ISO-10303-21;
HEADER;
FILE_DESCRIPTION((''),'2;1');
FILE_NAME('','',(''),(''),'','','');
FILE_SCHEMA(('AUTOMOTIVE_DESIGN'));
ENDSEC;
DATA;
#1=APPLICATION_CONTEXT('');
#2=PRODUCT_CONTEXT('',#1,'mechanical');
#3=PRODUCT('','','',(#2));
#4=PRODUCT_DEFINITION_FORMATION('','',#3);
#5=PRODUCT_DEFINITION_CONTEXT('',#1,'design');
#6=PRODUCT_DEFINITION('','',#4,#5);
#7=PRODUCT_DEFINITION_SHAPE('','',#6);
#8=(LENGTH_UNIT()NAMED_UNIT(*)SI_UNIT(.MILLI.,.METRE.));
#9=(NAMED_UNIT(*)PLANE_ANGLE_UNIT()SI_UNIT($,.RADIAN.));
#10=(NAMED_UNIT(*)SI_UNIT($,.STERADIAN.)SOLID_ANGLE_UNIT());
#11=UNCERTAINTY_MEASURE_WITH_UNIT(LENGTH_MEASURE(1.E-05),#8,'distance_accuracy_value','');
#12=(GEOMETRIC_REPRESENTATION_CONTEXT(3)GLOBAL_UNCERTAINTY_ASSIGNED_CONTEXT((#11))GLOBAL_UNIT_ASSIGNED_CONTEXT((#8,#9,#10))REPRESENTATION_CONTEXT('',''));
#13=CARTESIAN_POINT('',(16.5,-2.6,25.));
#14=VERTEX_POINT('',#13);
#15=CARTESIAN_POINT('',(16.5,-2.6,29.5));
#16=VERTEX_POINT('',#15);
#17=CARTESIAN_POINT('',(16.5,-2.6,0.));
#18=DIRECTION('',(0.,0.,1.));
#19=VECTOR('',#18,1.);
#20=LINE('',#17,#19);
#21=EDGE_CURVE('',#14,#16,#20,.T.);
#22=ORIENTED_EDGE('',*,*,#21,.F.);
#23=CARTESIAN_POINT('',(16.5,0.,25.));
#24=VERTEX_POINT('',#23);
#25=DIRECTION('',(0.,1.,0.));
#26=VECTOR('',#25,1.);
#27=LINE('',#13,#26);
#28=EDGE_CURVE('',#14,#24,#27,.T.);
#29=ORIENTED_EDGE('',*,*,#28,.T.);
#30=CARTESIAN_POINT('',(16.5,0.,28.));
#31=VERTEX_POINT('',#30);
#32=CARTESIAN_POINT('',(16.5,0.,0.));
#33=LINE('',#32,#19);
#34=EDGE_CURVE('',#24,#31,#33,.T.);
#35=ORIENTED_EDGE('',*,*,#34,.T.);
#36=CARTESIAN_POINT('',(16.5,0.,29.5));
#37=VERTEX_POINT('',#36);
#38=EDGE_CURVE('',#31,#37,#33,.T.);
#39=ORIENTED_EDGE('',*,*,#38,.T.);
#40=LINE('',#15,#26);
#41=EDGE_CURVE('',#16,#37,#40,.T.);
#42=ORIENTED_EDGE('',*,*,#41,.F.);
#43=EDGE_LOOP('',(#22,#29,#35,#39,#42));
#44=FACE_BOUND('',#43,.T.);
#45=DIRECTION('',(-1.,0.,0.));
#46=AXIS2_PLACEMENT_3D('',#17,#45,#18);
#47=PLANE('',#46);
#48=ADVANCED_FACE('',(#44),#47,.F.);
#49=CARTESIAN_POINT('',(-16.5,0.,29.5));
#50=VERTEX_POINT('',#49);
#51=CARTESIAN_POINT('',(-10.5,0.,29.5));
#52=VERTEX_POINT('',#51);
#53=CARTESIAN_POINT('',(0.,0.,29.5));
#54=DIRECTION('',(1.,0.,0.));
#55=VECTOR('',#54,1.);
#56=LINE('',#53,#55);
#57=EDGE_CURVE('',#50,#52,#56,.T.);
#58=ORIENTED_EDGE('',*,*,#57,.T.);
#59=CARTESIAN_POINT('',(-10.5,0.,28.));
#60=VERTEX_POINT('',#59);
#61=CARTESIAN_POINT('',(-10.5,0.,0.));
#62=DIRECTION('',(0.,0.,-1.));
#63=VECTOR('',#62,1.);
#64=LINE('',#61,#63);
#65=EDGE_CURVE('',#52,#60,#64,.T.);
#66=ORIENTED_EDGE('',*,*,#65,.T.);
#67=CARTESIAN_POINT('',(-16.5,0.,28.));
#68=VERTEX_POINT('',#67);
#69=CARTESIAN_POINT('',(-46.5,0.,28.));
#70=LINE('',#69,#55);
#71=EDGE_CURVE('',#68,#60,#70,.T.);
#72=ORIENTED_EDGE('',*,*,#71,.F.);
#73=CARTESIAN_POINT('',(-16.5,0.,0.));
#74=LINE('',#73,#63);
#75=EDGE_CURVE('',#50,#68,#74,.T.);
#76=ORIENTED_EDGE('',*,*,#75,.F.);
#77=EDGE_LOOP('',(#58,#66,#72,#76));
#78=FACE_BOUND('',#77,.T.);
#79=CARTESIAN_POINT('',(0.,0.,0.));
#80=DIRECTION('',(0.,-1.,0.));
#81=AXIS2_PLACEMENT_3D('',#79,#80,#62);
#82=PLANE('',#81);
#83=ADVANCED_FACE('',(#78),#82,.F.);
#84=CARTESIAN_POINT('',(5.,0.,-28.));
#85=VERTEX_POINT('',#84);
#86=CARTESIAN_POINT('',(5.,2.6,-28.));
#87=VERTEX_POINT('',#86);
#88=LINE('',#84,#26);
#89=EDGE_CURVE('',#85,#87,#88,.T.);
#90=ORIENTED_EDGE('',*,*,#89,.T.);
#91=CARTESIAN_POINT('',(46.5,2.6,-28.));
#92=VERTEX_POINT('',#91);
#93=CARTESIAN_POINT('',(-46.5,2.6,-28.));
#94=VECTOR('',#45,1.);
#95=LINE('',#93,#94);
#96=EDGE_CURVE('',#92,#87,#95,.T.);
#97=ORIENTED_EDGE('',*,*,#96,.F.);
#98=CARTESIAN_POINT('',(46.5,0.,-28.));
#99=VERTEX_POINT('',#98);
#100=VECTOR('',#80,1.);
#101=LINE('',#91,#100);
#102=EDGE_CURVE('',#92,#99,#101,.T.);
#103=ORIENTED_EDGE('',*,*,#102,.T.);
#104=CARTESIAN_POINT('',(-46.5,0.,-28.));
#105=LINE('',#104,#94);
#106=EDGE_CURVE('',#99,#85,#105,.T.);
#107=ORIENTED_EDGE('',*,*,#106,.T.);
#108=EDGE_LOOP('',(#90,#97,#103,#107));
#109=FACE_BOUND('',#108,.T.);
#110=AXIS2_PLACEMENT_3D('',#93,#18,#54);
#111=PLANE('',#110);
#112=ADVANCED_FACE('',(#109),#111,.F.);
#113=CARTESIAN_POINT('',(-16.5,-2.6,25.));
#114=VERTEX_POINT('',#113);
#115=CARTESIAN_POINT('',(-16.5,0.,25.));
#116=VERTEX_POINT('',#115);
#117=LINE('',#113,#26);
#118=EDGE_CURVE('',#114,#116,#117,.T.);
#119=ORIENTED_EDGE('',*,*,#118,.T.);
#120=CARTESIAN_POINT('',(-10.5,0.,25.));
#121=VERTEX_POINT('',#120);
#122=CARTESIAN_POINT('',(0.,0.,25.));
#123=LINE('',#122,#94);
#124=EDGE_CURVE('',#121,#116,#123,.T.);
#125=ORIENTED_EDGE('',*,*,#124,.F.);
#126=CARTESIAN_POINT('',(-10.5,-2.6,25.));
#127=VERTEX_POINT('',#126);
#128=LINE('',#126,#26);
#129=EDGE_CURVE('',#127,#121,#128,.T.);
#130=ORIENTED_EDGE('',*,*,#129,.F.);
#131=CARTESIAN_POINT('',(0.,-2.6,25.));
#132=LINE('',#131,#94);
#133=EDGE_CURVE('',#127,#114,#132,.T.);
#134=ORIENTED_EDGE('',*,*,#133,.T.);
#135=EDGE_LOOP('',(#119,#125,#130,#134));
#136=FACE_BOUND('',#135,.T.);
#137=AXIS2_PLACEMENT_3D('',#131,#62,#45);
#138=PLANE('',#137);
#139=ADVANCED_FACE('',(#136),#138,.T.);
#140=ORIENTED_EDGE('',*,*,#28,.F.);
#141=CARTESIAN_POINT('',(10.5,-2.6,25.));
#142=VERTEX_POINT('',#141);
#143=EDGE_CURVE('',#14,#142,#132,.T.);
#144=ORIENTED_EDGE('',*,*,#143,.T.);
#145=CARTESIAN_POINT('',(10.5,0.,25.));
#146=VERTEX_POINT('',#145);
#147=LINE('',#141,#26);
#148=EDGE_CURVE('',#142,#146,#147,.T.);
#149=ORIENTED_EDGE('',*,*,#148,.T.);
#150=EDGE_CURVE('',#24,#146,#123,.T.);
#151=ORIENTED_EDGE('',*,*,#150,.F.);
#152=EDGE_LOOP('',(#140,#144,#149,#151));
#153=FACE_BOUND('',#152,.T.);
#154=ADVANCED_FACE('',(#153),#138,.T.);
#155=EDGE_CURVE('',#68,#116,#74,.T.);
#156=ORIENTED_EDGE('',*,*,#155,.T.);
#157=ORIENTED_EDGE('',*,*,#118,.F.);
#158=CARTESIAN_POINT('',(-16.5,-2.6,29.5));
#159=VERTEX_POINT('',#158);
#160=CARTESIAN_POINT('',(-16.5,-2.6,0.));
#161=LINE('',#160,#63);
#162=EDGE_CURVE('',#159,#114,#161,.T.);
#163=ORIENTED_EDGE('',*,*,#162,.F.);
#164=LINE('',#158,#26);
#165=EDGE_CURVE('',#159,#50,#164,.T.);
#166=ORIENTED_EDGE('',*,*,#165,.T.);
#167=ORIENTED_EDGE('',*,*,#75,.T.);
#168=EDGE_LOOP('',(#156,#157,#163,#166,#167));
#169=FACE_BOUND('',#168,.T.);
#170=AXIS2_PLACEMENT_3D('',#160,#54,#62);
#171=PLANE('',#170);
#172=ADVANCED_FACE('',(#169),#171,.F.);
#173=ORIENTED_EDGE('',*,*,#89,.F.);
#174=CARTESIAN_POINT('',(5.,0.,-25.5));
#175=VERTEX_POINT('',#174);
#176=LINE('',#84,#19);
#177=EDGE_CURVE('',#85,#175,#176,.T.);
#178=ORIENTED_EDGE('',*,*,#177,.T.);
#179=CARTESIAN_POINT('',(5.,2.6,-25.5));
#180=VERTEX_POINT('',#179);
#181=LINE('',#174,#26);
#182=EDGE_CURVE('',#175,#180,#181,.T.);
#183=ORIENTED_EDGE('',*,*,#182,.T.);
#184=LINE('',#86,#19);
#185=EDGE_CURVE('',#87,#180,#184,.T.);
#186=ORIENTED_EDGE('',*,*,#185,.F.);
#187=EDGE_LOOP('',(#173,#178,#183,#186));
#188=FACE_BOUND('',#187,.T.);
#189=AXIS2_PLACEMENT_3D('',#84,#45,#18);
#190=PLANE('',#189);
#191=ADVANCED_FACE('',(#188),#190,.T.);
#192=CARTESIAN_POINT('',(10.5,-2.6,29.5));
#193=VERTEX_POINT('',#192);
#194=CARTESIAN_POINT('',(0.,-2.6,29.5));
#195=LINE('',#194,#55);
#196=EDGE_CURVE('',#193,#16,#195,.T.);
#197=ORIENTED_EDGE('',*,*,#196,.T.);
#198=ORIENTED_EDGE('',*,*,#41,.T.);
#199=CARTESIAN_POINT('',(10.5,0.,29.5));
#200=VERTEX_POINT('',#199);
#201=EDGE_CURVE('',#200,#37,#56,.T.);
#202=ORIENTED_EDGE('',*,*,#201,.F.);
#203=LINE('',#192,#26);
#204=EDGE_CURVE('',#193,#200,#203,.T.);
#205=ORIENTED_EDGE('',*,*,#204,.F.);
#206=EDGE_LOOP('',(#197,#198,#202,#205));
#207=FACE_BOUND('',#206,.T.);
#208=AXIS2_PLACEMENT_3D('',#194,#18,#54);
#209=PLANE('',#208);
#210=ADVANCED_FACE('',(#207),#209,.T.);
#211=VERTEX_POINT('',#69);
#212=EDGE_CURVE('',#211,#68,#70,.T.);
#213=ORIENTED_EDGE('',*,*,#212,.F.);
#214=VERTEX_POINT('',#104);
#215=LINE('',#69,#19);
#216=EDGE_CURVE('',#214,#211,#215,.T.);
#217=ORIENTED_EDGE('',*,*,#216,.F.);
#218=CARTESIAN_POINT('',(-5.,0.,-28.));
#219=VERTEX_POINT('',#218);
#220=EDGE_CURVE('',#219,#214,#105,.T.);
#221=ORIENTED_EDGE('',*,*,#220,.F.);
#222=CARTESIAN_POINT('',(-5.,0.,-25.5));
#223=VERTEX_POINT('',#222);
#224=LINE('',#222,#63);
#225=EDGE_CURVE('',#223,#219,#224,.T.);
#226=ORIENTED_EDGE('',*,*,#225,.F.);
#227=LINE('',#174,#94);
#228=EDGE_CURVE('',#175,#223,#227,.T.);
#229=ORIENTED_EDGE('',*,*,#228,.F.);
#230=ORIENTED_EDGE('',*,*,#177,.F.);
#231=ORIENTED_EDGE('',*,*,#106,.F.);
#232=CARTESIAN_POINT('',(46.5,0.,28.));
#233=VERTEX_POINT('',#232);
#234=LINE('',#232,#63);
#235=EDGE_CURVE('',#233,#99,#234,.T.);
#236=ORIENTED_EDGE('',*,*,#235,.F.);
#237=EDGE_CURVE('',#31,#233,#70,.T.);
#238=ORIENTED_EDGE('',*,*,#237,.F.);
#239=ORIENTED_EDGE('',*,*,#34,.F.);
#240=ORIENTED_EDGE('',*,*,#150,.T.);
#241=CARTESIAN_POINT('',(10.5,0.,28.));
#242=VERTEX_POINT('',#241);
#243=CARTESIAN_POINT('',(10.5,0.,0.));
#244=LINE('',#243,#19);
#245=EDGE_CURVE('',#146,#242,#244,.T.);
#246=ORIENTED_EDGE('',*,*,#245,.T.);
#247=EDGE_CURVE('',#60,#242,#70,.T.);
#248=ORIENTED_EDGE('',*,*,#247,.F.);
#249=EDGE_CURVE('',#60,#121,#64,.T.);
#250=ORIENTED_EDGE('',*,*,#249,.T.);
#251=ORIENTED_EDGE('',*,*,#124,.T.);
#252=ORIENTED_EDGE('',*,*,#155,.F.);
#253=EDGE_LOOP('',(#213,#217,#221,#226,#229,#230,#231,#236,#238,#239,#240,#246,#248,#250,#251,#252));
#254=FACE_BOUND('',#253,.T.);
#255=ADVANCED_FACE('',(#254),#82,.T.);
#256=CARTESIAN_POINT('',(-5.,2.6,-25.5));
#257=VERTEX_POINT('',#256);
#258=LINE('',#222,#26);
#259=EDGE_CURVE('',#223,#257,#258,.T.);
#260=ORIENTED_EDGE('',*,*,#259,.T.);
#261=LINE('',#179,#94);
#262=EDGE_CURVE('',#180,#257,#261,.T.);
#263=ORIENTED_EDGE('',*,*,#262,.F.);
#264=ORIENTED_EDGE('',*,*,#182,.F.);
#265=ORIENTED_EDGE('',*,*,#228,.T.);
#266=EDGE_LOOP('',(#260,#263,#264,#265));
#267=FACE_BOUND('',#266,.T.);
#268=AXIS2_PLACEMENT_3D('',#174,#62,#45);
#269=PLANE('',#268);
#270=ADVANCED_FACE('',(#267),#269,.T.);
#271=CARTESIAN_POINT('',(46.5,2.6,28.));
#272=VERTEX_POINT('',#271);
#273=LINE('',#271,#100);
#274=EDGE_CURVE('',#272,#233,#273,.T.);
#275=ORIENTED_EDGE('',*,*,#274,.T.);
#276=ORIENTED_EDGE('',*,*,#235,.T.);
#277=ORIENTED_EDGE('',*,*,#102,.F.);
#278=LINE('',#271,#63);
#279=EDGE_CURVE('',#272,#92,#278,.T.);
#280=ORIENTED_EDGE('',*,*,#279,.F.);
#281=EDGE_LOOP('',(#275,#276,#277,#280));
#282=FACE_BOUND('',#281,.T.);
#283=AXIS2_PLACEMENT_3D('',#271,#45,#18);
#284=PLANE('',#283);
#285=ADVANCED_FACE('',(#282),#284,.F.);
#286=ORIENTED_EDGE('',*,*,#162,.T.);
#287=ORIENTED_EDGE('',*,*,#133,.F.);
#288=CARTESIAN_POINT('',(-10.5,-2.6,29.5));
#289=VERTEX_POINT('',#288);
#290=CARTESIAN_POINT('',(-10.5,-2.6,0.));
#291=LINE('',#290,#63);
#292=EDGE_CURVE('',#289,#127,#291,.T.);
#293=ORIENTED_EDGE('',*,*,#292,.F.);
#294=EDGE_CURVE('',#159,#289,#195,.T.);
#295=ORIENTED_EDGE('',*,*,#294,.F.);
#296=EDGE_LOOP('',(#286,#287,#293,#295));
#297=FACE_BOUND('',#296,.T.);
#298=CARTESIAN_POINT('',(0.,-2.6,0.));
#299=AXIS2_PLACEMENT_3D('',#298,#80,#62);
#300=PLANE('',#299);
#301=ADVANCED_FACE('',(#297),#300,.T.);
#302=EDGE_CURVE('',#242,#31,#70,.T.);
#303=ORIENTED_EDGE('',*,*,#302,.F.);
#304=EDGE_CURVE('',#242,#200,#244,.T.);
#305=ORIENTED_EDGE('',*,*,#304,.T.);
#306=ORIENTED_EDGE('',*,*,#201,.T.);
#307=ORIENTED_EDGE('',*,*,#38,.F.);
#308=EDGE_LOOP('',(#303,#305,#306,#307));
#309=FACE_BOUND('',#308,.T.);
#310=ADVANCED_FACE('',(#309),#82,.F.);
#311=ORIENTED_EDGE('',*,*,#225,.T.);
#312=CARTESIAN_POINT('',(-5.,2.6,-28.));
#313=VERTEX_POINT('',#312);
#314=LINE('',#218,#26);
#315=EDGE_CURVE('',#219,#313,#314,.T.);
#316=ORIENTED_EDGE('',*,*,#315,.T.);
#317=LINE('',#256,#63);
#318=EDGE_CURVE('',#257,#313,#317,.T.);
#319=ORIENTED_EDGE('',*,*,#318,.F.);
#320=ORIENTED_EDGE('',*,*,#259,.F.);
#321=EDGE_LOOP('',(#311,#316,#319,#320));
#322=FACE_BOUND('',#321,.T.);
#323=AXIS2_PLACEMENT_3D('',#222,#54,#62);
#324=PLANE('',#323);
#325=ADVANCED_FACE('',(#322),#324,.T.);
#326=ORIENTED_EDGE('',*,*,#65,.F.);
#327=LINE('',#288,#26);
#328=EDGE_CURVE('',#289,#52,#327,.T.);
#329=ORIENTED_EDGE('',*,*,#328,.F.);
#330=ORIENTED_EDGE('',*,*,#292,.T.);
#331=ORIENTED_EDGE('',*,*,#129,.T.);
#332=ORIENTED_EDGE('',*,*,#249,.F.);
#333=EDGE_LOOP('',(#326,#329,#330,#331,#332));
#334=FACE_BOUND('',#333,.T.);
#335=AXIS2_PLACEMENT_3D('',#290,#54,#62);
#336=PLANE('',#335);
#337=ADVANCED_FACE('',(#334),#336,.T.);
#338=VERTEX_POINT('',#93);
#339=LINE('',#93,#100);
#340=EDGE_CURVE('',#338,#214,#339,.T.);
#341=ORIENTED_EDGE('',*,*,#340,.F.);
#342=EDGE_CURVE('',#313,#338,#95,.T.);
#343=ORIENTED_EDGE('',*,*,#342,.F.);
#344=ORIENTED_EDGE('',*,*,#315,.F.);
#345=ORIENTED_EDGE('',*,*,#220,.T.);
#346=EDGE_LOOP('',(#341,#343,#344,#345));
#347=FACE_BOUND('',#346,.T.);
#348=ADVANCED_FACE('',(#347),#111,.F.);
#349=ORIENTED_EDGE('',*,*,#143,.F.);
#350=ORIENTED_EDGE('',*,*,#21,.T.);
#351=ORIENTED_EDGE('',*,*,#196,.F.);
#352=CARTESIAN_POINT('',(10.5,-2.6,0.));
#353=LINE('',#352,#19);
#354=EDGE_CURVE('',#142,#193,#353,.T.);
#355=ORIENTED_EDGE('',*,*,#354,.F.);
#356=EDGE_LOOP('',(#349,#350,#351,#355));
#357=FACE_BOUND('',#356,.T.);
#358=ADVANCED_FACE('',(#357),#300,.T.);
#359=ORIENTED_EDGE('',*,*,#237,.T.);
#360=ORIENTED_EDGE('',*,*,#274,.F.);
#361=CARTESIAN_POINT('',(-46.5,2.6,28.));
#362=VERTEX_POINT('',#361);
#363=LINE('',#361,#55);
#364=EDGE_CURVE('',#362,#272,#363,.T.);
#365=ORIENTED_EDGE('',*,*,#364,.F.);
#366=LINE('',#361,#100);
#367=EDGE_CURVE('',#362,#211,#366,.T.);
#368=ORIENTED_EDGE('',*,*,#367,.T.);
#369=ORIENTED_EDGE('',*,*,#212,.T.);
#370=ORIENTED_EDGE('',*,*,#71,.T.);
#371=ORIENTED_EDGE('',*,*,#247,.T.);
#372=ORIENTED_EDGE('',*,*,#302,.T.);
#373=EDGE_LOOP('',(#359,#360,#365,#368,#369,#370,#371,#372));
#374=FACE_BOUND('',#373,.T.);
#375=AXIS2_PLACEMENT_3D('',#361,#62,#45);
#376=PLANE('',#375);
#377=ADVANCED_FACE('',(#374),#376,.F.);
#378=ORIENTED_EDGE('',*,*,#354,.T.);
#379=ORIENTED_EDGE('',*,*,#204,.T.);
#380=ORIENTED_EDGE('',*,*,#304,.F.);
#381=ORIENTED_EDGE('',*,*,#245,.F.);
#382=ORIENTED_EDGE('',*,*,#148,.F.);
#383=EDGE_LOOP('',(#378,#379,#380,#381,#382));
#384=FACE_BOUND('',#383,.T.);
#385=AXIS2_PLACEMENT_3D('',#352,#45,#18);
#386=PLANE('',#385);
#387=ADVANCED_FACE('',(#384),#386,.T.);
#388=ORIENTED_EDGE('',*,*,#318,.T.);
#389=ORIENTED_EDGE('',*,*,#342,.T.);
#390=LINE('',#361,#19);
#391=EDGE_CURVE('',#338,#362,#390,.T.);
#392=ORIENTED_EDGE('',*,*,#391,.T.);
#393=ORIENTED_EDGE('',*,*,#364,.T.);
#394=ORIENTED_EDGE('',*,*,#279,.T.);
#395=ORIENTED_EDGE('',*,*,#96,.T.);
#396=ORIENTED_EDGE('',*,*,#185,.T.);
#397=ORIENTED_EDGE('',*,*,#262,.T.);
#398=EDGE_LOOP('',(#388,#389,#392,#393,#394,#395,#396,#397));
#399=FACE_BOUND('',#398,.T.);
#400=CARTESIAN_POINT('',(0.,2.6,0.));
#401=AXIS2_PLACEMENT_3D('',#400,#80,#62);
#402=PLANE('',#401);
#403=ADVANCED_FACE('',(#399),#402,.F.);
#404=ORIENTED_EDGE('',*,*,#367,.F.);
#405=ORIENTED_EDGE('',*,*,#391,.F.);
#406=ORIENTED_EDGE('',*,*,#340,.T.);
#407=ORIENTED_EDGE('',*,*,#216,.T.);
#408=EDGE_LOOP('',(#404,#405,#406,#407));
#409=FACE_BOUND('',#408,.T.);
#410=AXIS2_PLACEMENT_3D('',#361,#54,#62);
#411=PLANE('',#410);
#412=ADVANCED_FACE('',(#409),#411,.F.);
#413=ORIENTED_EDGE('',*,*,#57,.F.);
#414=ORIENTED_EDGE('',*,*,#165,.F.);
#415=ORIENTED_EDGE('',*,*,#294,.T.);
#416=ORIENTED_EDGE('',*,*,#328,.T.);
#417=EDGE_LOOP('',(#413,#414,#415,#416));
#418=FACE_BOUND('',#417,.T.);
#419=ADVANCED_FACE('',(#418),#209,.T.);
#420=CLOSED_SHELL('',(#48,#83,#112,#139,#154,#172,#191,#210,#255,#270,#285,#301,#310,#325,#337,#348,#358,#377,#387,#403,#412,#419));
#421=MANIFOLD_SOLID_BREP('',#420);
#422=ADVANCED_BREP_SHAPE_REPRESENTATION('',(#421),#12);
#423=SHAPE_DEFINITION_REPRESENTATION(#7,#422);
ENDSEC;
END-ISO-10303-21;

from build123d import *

# Parameters (mm, degrees)
CROQUIS1_W              = 93
CROQUIS1_H              = 56
SALIENTE_EXTRUIR1_DEPTH = 2.6
CROQUIS2_W              = 10
CROQUIS2_H              = 2.5
CORTAR_EXTRUIR1_DEPTH   = 2.6
CROQUIS3_W              = 6
CROQUIS3_H              = 1.5
CROQUIS3_H_2            = 3
SALIENTE_EXTRUIR2_DEPTH = 2.6


with BuildPart() as part:
    # Croquis1 → Saliente-Extruir1 (new body)
    with BuildSketch(Plane(origin=(0, 0, 0), x_dir=(1, 0, 0), z_dir=(0, 1, 0))):
        Rectangle(CROQUIS1_W, CROQUIS1_H)
    extrude(amount=SALIENTE_EXTRUIR1_DEPTH)

    # Croquis2 → Cortar-Extruir1 (cut)
    with BuildSketch(Plane(origin=(0, 2.6, 0), x_dir=(1, 0, 0), z_dir=(0, 1, 0))):
        with Locations((0, 26.75)):
            Rectangle(CROQUIS2_W, CROQUIS2_H)
    extrude(amount=-CORTAR_EXTRUIR1_DEPTH, mode=Mode.SUBTRACT)

    # Croquis3 → Saliente-Extruir2 (add)
    with BuildSketch(Plane.XZ):
        with Locations((13.5, 28.75)):
            Rectangle(CROQUIS3_W, CROQUIS3_H)
        with Locations((13.5, 26.5)):
            Rectangle(CROQUIS3_W, CROQUIS3_H_2)
        with Locations((-13.5, 28.75)):
            Rectangle(CROQUIS3_W, CROQUIS3_H)
        with Locations((-13.5, 26.5)):
            Rectangle(CROQUIS3_W, CROQUIS3_H_2)
    extrude(amount=SALIENTE_EXTRUIR2_DEPTH)


solid = part.part
